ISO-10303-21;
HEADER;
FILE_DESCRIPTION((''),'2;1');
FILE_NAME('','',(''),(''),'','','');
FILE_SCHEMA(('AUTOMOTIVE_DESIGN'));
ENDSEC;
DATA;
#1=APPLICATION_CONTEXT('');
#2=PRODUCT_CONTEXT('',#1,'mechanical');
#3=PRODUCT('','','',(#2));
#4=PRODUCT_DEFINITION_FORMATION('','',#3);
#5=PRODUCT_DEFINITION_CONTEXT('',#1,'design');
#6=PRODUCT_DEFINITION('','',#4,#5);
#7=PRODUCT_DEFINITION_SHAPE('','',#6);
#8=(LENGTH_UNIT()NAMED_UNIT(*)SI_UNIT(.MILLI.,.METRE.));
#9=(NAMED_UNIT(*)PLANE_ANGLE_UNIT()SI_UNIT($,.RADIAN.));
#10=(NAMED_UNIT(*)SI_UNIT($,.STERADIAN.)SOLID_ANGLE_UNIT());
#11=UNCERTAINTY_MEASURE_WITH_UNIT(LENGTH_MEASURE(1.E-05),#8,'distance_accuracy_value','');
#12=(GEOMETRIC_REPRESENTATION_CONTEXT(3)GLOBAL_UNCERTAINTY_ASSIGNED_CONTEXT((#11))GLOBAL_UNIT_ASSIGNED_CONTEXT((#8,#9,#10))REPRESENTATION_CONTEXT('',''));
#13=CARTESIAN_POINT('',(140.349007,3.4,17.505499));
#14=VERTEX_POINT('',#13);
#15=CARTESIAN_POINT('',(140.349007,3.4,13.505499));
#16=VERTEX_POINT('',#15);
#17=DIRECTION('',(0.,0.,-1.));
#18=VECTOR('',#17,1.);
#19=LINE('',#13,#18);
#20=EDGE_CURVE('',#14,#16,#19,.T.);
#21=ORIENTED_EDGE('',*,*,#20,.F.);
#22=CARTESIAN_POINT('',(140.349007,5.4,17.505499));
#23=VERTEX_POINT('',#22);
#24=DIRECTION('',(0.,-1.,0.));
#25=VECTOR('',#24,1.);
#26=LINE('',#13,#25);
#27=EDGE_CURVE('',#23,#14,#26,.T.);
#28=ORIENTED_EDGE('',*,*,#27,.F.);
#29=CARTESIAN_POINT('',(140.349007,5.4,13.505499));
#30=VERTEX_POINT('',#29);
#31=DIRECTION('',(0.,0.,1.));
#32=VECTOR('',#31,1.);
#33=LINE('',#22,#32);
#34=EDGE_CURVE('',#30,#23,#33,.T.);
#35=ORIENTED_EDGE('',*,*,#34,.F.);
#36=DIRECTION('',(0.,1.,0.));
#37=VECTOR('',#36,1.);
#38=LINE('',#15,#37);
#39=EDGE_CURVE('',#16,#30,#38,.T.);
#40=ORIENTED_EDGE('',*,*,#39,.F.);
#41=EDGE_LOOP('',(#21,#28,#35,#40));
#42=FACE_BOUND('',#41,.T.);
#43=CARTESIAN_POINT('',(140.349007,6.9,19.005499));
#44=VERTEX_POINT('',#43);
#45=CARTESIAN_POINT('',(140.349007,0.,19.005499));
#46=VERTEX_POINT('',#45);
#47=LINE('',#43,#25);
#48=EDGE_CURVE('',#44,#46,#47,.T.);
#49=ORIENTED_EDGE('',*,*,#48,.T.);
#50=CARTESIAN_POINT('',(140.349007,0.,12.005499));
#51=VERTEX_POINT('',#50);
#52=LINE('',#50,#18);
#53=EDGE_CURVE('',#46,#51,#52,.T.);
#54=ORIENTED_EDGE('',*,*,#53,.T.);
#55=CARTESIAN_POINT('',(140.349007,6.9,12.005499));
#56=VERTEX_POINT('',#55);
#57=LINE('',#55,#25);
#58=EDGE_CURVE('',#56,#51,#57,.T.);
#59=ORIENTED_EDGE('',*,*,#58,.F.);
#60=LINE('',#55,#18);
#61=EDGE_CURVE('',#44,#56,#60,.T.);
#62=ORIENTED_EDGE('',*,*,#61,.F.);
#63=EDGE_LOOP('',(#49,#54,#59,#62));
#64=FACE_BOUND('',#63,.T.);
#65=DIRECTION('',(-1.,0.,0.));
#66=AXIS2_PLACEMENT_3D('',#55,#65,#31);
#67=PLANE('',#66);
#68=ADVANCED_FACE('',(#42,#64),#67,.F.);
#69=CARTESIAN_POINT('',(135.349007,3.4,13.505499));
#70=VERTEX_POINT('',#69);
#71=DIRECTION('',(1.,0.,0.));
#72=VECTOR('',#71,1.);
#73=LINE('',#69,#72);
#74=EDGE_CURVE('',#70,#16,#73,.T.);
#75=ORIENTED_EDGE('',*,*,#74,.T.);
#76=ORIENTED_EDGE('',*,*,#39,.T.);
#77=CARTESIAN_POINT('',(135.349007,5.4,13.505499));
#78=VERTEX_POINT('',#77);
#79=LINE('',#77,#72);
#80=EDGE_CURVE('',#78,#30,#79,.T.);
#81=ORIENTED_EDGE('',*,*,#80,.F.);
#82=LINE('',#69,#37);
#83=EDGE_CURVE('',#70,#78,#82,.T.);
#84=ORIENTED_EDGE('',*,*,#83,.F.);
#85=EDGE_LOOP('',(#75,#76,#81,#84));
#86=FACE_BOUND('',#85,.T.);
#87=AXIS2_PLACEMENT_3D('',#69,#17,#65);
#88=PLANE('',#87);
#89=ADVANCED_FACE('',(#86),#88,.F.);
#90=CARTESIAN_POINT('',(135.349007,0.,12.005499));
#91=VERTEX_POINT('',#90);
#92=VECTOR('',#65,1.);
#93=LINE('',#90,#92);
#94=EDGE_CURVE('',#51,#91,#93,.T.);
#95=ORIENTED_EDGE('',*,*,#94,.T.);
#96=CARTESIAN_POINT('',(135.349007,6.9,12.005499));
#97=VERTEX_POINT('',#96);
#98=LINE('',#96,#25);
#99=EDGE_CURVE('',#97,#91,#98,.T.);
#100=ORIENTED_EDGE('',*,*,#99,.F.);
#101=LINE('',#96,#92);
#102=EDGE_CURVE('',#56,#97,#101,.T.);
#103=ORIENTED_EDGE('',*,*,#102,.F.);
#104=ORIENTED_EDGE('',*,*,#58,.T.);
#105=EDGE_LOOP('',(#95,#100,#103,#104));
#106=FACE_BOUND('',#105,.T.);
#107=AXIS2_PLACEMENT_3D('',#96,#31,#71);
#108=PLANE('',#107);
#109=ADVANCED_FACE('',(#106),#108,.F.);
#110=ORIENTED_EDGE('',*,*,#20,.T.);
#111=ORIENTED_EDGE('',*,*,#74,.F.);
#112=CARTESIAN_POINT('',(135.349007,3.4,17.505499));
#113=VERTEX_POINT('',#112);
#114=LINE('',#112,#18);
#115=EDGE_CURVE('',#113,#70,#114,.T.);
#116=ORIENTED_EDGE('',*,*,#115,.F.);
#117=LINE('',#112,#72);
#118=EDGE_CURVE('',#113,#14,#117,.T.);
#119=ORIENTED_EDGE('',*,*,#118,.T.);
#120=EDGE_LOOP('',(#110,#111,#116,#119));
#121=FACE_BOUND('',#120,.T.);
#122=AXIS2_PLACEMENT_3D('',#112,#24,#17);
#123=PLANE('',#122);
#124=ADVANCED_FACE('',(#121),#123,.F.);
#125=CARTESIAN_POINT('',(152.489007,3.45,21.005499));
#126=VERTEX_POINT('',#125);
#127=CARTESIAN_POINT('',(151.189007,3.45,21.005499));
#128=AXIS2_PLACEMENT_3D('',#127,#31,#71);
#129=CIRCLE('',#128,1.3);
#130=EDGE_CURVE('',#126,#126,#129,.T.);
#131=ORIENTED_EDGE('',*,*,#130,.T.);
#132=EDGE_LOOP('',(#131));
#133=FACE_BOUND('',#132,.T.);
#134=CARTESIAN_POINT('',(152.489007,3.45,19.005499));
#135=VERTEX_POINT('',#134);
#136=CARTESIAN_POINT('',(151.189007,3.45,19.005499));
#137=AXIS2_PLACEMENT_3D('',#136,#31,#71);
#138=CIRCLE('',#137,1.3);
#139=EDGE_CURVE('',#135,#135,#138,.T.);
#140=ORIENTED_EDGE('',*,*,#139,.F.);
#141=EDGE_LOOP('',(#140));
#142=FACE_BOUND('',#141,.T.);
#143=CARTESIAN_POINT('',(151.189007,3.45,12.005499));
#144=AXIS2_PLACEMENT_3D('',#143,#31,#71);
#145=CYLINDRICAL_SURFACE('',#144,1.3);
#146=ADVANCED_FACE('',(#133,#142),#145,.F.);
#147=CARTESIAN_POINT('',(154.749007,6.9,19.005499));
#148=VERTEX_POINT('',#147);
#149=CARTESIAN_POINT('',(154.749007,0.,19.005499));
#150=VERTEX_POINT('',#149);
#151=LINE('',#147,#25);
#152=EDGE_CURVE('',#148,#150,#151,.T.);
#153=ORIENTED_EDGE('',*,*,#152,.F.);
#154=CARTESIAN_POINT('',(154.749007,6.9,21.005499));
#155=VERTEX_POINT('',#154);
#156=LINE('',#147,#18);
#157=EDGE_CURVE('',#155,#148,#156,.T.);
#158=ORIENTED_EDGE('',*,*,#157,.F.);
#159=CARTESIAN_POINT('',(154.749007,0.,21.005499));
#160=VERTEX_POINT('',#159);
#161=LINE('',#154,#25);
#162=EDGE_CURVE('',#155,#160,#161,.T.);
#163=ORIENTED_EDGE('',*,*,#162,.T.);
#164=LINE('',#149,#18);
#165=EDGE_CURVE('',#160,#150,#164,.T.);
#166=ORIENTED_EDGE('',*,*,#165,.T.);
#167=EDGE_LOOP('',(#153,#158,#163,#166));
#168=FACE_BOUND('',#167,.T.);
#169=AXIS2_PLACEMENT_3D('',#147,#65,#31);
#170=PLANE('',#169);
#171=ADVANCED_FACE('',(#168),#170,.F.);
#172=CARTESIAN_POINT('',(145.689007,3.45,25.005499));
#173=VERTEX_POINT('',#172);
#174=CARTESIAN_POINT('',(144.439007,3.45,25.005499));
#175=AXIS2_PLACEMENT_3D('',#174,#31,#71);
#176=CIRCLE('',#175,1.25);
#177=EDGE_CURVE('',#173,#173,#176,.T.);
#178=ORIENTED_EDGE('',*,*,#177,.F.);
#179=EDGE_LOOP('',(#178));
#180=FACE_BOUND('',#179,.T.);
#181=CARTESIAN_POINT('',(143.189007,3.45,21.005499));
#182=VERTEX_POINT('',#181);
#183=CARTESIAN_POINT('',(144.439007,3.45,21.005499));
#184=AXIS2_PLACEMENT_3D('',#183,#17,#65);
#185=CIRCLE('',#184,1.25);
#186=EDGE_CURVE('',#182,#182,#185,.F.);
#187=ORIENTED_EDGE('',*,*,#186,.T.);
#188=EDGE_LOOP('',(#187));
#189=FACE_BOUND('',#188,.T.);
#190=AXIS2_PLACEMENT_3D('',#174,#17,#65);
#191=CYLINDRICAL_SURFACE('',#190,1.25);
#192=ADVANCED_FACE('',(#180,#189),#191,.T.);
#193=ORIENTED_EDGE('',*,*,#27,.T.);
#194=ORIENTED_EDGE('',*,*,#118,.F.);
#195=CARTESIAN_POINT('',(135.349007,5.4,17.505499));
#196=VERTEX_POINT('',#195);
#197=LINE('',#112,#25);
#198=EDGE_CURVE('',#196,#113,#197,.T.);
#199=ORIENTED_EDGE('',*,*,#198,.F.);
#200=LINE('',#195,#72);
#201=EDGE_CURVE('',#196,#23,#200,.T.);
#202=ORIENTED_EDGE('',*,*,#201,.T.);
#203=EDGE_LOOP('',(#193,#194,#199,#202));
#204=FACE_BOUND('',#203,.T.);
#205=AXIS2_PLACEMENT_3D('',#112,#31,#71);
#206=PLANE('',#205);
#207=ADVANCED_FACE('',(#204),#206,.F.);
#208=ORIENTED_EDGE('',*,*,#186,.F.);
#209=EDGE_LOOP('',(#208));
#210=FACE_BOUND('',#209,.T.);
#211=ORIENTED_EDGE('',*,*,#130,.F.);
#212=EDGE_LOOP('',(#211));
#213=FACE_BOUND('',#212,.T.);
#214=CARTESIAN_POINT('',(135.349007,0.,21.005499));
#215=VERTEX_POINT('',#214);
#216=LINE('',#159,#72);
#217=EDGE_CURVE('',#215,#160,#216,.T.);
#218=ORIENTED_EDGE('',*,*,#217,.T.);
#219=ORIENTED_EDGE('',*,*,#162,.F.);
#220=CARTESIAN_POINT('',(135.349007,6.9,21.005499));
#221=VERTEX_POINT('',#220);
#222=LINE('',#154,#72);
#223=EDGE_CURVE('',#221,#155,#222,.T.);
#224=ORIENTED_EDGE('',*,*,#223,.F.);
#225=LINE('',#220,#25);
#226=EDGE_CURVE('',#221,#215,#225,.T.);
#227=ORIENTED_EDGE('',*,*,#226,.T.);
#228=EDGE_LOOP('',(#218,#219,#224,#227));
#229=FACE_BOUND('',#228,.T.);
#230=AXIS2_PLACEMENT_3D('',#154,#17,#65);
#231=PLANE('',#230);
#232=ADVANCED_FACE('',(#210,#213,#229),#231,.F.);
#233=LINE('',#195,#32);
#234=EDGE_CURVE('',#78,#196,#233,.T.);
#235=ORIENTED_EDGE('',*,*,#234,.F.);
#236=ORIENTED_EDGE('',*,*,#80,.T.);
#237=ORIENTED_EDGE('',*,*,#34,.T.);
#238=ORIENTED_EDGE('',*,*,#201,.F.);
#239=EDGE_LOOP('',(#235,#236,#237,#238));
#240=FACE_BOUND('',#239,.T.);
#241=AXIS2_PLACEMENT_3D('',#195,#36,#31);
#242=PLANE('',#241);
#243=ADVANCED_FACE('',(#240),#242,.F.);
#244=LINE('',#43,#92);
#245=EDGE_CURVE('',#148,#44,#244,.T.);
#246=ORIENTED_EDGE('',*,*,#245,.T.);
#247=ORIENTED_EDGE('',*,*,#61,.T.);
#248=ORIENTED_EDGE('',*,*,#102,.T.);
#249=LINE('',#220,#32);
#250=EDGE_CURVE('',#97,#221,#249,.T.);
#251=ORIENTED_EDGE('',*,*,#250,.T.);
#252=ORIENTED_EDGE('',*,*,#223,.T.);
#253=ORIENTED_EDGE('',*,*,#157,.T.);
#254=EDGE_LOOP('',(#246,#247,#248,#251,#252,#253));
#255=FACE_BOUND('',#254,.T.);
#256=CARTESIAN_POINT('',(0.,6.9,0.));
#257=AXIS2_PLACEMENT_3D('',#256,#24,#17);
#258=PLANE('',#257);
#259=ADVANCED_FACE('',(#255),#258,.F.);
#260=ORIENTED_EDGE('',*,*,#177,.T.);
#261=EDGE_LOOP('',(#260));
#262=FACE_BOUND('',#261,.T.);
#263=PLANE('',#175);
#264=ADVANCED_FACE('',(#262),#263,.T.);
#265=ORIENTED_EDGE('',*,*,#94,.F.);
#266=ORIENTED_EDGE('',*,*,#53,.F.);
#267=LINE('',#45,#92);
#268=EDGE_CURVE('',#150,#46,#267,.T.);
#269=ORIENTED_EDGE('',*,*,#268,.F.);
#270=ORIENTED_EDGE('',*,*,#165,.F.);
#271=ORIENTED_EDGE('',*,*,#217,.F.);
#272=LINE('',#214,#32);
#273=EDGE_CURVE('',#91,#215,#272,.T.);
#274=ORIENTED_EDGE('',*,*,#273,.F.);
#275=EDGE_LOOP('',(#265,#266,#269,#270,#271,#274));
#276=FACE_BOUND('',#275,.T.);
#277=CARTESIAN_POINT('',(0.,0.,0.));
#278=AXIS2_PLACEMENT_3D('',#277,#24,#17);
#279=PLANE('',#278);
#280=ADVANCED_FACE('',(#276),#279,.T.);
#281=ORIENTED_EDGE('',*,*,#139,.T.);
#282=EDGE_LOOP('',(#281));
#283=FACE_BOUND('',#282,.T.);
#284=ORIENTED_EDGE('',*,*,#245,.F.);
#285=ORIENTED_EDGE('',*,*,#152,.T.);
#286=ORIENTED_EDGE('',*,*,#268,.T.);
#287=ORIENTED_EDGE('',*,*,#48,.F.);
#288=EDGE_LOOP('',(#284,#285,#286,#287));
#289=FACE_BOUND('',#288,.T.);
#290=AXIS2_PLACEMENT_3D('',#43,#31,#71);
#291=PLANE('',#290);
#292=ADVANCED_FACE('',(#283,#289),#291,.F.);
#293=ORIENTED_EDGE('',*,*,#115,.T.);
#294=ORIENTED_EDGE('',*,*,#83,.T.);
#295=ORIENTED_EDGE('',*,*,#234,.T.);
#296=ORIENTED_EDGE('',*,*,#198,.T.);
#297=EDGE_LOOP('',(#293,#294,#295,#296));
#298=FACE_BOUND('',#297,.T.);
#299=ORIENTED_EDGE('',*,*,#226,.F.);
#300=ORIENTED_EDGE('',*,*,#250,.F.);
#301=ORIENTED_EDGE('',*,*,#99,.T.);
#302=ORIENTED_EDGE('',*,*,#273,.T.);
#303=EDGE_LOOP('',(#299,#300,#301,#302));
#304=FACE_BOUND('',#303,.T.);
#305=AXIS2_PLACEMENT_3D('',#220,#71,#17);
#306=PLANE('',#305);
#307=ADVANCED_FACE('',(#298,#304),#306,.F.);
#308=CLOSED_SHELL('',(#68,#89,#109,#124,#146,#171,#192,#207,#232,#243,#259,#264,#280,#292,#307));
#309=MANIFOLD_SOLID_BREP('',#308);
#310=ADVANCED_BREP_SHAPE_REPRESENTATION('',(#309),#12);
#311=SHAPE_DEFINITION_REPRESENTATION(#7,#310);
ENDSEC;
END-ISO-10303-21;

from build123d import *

# Parameters (mm, degrees)
BOSS_EXTRUDE1_DEPTH = 6.9
SKETCH2_R           = 1.3
CUT_EXTRUDE1_DEPTH  = 10
SKETCH3_R           = 1.25
BOSS_EXTRUDE2_DEPTH = 4
SKETCH4_W           = 4
SKETCH4_H           = 2
CUT_EXTRUDE2_DEPTH  = 6


with BuildPart() as part:
    # Sketch1 → Boss-Extrude1 (new body)
    with BuildSketch(Plane(origin=(0, 0, 0), x_dir=(1, 0, 0), z_dir=(0, 1, 0))):
        Polygon((154.749006664, -21.005499154), (135.349006664, -21.005499154), (135.349006664, -12.005499154), (140.349006664, -12.005499154), (140.349006664, -19.005499154), (154.749006664, -19.005499154), align=None)
    extrude(amount=BOSS_EXTRUDE1_DEPTH)

    # Sketch2 → Cut-Extrude1 (cut, through all)
    with BuildSketch(Plane.XY.offset(21.005499154)):
        with Locations((151.189006664, 3.45)):
            Circle(SKETCH2_R)
    extrude(amount=-CUT_EXTRUDE1_DEPTH, mode=Mode.SUBTRACT)

    # Sketch3 → Boss-Extrude2 (add)
    with BuildSketch(Plane.XY.offset(21.005499154)):
        with Locations((144.439006664, 3.45)):
            Circle(SKETCH3_R)
    extrude(amount=BOSS_EXTRUDE2_DEPTH)

    # Sketch4 → Cut-Extrude2 (cut, through all)
    with BuildSketch(Plane(origin=(140.349006664, 0, 0), x_dir=(0, 0, -1), z_dir=(1, 0, 0))):
        with Locations((-15.505499154, 4.4)):
            Rectangle(SKETCH4_W, SKETCH4_H)
    extrude(amount=-CUT_EXTRUDE2_DEPTH, mode=Mode.SUBTRACT)


solid = part.part
